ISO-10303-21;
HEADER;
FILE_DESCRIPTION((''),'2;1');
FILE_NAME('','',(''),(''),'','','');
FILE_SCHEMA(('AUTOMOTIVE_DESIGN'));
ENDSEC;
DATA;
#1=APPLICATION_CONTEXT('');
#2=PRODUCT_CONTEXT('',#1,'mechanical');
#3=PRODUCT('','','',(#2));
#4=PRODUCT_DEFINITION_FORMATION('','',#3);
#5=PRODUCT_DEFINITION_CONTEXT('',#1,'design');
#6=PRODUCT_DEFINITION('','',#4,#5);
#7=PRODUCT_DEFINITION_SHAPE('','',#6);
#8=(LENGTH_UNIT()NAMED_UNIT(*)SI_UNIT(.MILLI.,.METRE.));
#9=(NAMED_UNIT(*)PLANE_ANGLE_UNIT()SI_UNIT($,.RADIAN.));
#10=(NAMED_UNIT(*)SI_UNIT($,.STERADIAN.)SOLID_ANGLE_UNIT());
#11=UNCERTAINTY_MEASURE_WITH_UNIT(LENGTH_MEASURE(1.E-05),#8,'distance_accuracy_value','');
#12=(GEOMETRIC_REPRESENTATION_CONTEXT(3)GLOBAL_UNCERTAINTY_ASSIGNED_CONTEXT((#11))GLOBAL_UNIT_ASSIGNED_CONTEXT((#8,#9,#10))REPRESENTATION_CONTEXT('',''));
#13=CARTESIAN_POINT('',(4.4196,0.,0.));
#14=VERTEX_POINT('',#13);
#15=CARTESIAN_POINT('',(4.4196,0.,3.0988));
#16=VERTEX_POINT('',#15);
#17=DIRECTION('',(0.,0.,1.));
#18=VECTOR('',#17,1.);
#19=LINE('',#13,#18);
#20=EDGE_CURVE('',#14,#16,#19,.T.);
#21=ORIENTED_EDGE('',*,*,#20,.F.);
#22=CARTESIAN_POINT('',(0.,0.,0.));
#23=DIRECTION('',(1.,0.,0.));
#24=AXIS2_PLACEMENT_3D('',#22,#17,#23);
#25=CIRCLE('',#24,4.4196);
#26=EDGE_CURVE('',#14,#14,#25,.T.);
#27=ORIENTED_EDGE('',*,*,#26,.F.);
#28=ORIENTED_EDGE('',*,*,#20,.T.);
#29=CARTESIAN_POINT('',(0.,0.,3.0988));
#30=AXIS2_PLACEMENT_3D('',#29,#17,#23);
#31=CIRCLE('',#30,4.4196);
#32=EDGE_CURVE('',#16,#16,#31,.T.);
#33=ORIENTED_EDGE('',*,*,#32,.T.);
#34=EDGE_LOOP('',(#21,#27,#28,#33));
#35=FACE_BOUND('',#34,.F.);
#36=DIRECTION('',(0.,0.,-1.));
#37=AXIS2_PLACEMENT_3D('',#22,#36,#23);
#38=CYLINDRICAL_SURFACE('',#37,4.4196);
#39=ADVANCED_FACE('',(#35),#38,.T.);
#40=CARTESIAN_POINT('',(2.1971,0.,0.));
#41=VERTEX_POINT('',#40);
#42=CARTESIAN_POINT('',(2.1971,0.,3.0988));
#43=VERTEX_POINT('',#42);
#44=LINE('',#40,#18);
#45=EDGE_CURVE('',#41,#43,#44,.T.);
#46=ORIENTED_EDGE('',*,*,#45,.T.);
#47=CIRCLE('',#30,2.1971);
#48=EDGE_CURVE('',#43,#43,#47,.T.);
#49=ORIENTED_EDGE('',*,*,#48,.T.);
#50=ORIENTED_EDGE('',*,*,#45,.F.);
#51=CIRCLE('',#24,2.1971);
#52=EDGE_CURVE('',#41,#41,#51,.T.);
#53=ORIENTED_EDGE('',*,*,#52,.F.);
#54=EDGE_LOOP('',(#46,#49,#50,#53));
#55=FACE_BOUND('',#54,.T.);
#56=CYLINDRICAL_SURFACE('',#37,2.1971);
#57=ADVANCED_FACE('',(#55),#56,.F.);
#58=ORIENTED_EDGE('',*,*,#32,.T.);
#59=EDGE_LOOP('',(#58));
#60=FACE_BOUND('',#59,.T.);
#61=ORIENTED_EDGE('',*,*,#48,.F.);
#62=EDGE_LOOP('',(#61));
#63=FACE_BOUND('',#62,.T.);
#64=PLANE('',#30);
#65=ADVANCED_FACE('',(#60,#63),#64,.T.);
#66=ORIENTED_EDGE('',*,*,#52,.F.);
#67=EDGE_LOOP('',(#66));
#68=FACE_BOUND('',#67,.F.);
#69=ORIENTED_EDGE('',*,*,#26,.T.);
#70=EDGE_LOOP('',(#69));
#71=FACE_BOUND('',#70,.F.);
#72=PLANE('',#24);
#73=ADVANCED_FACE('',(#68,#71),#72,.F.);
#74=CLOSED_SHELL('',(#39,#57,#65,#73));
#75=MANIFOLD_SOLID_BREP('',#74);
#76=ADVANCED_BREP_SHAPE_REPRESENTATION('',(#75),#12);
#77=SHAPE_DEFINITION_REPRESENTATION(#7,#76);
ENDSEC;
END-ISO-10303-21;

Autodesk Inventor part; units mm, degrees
ref_plane "YZ Plane" through (0, 0, 0) normal (1, 0, 0) x (0, 1, 0)
ref_plane "XZ Plane" through (0, 0, 0) normal (0, 1, 0) x (-1, 0, 0)
ref_plane "XY Plane" through (0, 0, 0) normal (0, 0, 1) x (1, 0, 0)
sketch "Sketch1" plane through (0, 0, 0) normal (0, 0, 1) x (1, 0, 0)
  circle A0 centre (0, 0) radius 4.4196
  circle A1 centre (0, 0) radius 2.1971
  dimension "d0" = 8.8392
  dimension "d1" = 4.3942
extrude "Extrusion1" add sketch "Sketch1" along normal blind 3.0988
properties part number "Bumper Attachment Spacer"
